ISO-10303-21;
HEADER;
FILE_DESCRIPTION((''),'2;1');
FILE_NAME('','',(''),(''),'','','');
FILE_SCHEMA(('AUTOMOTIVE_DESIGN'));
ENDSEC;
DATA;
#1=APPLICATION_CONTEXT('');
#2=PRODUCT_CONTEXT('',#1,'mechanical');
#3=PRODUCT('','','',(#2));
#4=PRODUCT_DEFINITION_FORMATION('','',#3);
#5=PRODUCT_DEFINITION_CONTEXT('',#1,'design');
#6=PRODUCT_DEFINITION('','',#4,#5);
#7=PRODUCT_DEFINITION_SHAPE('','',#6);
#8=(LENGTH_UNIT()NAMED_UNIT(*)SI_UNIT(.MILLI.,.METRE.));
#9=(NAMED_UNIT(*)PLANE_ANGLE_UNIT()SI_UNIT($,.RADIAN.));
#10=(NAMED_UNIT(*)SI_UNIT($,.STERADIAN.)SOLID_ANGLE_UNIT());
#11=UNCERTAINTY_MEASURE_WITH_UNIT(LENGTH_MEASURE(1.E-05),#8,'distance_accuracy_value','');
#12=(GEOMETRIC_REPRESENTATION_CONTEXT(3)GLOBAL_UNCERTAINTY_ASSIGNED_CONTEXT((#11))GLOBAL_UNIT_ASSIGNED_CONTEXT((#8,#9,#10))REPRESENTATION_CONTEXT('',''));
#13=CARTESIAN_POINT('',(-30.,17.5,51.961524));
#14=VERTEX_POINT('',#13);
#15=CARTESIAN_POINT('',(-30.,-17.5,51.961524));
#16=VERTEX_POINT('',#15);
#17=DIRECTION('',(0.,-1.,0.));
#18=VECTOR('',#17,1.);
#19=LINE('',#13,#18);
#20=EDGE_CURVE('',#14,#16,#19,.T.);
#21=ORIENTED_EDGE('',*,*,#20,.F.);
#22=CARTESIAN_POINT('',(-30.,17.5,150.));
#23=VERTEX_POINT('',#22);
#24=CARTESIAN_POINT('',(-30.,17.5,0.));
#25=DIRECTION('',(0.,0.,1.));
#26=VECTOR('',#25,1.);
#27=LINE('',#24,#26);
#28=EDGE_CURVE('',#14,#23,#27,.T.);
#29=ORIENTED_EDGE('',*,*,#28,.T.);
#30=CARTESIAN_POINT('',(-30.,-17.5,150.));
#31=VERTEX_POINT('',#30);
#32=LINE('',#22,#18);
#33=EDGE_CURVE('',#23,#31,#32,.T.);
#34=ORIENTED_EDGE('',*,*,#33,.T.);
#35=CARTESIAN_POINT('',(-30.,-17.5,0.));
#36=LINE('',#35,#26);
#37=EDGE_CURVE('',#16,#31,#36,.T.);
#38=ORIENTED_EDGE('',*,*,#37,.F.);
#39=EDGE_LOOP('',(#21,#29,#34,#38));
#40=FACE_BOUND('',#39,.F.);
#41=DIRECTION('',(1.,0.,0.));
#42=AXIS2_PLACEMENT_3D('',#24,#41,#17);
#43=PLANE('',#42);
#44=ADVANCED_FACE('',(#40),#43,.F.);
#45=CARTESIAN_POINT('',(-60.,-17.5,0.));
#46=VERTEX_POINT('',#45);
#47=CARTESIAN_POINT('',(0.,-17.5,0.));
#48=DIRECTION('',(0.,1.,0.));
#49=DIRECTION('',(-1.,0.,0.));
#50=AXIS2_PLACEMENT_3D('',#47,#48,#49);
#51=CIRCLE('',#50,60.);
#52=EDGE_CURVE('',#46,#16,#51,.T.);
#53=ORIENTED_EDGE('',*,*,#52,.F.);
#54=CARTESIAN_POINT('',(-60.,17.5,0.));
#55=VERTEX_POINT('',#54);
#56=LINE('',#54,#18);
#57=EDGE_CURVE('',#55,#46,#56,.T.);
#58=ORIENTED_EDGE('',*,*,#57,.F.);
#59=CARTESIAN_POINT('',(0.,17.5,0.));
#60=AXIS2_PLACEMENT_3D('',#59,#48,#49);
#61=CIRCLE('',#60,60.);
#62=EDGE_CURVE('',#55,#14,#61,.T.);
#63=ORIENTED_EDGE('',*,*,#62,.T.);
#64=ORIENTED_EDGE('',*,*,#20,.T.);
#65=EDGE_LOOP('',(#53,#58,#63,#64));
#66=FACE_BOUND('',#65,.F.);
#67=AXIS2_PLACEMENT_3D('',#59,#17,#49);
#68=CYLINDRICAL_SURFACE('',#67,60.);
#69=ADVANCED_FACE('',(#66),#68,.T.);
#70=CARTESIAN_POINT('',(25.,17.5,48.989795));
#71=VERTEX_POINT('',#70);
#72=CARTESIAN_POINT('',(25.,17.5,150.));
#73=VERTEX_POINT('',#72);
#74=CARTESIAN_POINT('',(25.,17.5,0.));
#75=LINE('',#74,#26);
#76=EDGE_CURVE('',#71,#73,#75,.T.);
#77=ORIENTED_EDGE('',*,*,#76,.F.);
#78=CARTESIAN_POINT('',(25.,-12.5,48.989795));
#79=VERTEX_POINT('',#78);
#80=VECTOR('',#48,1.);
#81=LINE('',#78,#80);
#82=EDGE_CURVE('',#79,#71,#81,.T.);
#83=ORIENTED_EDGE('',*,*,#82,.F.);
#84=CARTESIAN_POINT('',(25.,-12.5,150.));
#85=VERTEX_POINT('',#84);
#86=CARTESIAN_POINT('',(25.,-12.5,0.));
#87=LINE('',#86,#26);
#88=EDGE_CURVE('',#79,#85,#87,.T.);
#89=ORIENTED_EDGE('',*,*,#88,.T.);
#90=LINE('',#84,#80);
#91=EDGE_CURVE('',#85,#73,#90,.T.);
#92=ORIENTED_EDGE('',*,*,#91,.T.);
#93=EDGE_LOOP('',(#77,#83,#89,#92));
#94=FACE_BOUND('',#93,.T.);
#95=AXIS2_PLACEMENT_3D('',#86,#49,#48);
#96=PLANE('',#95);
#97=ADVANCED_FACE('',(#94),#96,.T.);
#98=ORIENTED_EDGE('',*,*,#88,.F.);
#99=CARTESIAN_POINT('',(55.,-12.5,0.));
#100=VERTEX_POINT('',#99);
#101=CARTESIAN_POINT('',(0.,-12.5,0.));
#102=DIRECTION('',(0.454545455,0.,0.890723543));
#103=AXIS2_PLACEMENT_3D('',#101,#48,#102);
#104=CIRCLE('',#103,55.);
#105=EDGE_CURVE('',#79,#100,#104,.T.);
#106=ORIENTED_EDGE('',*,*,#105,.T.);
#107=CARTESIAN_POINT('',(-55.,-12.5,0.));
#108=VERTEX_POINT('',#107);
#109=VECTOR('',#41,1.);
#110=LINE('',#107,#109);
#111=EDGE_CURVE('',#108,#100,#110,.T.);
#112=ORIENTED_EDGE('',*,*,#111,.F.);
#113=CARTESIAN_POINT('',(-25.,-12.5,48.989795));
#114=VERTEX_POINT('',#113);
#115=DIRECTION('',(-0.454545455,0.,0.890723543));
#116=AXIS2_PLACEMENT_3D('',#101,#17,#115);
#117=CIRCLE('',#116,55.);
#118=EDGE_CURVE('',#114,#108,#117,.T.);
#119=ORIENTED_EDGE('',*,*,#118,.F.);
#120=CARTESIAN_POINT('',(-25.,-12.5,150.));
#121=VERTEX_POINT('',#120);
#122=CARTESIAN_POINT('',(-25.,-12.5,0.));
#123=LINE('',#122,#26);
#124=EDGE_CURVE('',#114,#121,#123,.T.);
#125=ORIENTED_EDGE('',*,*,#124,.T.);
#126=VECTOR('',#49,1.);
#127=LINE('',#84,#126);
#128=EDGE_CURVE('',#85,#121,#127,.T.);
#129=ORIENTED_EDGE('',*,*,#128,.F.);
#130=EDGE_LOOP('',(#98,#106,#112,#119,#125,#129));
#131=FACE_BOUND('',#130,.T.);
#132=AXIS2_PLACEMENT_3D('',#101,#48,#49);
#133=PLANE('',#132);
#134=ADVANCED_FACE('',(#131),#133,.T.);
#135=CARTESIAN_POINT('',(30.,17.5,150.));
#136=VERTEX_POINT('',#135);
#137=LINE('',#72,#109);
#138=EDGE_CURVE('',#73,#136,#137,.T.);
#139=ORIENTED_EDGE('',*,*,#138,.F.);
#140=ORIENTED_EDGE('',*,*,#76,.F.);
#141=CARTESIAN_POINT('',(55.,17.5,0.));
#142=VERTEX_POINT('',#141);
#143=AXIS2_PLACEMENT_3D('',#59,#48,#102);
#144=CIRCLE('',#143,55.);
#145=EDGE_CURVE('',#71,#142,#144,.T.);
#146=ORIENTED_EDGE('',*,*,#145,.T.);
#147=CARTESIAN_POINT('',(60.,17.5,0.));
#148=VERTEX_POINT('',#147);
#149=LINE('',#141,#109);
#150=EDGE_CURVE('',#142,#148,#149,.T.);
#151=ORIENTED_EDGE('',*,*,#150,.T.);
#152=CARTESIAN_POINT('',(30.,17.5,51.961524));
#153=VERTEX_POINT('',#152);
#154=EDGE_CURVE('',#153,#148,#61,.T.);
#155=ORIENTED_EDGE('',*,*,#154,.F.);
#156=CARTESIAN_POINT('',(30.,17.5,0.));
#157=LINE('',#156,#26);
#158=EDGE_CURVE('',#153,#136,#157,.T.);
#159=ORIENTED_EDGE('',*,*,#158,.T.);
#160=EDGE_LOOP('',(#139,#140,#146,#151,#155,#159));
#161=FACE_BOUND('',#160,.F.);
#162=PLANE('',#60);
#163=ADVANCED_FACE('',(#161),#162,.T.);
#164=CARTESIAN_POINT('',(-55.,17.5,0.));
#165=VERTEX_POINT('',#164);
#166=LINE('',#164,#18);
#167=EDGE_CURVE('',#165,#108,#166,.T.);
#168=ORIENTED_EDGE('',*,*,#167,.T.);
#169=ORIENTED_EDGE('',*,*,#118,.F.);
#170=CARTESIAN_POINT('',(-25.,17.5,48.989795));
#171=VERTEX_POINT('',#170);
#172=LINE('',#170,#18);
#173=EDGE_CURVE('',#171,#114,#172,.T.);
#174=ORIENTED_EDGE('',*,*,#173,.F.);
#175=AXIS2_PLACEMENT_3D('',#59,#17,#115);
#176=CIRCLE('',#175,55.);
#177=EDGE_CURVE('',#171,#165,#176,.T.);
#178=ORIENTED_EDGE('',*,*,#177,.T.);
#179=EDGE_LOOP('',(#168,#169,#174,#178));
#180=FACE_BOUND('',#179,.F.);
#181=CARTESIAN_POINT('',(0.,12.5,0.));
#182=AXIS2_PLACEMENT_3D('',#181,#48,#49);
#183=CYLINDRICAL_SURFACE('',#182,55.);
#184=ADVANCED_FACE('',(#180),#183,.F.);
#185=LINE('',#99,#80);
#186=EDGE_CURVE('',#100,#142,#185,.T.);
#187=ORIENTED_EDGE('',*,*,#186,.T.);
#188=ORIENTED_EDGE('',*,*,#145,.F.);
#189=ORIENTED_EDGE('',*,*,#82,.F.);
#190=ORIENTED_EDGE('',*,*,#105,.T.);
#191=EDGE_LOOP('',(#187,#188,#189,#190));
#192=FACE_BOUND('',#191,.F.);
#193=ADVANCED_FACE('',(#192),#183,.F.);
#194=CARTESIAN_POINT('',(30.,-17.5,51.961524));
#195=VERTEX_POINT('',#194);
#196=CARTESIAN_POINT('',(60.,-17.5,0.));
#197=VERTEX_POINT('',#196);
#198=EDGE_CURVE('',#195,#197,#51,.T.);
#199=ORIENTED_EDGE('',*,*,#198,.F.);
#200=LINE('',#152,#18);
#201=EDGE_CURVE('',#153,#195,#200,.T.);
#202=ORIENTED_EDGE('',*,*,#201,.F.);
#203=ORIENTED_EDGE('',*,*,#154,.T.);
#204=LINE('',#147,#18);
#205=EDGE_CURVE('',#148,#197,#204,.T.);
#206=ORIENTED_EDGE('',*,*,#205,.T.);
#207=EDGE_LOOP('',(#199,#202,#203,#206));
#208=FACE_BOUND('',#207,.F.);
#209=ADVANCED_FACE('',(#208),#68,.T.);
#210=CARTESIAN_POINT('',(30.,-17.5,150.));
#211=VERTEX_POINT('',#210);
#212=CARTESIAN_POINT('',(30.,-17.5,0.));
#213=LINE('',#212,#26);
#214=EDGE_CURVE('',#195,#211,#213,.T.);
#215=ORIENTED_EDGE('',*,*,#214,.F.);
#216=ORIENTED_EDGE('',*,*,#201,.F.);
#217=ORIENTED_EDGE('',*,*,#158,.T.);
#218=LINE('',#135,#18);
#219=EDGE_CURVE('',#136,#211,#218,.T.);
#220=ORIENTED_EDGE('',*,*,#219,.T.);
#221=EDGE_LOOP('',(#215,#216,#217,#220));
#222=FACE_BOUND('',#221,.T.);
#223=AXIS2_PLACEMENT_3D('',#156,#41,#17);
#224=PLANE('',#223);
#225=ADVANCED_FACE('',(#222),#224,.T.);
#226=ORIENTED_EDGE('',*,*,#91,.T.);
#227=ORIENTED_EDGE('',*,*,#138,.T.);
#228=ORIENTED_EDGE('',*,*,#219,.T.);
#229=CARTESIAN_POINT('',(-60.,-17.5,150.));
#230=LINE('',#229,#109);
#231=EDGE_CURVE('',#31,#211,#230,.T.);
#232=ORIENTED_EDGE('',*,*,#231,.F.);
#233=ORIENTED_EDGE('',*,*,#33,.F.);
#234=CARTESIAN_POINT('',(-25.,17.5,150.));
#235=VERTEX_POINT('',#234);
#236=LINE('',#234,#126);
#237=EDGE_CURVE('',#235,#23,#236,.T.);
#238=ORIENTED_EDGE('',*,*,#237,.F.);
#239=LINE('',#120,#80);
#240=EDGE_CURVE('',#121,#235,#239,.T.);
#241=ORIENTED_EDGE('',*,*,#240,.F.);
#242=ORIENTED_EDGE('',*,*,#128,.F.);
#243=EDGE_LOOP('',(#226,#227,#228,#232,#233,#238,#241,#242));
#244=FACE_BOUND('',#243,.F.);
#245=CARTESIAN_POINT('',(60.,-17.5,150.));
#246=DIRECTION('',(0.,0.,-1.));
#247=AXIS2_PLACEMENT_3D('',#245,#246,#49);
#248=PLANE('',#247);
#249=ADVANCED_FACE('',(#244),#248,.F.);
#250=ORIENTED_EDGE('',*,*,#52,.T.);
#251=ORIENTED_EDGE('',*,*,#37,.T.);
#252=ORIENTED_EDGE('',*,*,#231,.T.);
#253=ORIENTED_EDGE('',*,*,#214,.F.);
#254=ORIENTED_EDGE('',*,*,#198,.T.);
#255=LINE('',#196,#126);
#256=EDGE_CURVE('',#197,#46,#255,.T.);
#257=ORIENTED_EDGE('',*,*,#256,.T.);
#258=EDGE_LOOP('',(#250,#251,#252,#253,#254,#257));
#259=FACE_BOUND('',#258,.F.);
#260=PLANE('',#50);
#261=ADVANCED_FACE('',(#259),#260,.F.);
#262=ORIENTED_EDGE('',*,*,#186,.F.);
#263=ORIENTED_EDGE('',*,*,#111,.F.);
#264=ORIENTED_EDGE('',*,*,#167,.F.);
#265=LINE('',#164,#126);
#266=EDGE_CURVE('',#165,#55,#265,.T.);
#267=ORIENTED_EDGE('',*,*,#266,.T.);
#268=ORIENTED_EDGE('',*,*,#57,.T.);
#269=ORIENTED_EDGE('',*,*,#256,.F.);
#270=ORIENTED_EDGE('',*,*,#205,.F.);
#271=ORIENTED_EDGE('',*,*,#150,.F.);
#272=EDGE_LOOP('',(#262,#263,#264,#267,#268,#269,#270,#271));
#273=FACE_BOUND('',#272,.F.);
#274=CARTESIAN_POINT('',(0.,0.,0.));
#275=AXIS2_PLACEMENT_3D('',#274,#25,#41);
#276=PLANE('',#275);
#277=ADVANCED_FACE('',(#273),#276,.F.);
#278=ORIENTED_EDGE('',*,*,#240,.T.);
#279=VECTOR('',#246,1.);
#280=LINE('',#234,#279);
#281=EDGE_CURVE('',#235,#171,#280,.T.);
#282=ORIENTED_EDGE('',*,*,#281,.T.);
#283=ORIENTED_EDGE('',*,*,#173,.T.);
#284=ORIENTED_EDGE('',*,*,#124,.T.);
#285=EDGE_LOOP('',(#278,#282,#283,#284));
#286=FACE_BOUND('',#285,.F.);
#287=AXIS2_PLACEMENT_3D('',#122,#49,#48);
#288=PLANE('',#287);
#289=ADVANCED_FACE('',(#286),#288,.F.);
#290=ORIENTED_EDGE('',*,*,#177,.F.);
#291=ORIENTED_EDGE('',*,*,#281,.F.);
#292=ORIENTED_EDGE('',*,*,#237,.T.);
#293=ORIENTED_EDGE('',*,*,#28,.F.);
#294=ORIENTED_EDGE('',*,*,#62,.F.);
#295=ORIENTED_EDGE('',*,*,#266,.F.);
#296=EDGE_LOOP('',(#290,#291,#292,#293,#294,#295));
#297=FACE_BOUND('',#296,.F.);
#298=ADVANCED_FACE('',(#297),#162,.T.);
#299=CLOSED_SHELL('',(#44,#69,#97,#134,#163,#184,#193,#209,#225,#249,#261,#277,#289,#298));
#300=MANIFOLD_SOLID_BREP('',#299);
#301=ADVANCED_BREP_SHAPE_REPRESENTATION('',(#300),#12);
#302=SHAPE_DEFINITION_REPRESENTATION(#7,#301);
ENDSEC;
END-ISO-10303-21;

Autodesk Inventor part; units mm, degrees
ref_plane "YZ Plane" through (0, 0, 0) normal (1, 0, 0) x (0, 1, 0)
ref_plane "XZ Plane" through (0, 0, 0) normal (0, 1, 0) x (-1, 0, 0)
ref_plane "XY Plane" through (0, 0, 0) normal (0, 0, 1) x (1, 0, 0)
sketch "Sketch1" plane through (0, 0, 0) normal (0, 0, 1) x (1, 0, 0)
  line L0 (-60, -17.5) -> (0, -17.5)
  line L1 (60, -17.5) -> (60, 17.5) construction
  line L2 (60, 17.5) -> (55, 17.5) construction
  line L3 (-60, 17.5) -> (-60, -17.5)
  line L4 (-60, -17.5) -> (60, 17.5) construction
  line L5 (60, -17.5) -> (-60, 17.5) construction
  line L6 (-55, -12.5) -> (0, -12.5)
  line L7 (55, -12.5) -> (55, 12.5) construction
  line L8 (55, 12.5) -> (-55, 12.5) construction
  line L9 (-55, 12.5) -> (-55, -12.5)
  line L10 (-55, 12.5) -> (-55, 17.5)
  line L11 (55, 12.5) -> (55, 17.5) construction
  line L12 (-55, 17.5) -> (-60, 17.5)
  line L13 (55, 17.5) -> (-55, 17.5) construction
  line L14 (0, -17.5) -> (0, 17.5)
  line L15 (0, -12.5) -> (55, -12.5) construction
  line L16 (0, -17.5) -> (60, -17.5) construction
  line L17 (0, -12.5) -> (0, -17.5)
  line L18 (0, 17.5) -> (-55, 17.5)
  point P0 (0, 0)
  dimension "d0" = 120
  dimension "d1" = 35
  dimension "d2" = 5
  dimension "d3" = 5
  dimension "d4" = 5
  dimension "d5" = 30
revolve "Revolution1" add sketch "Sketch1" angle 180 about axis through (0, -17.5, 0) along (0, 1, 0) contours L3 L12 L10 L9 L6 L14 L0
sketch "Sketch2" plane through (60, -17.5, 0) normal (0, 0, -1) x (-1, 0, 0)
  line L0 (0, 35) -> (0, 0) projected
  line L1 (0, 0) -> (60, 0) construction
  line L2 (120, 0) -> (0, 0) projected
  line L3 (60, 0) -> (60, 35) construction
  line L4 (60, 0) -> (60, 5) construction
  line L5 (60, 5) -> (35, 5)
  line L6 (35, 5) -> (35, 35)
  line L7 (35, 35) -> (30, 35)
  line L8 (30, 35) -> (30, 0)
  line L9 (60, 5) -> (85, 5)
  line L10 (85, 5) -> (85, 35)
  line L11 (85, 35) -> (90, 35)
  line L12 (90, 35) -> (90, 0)
  point P0 (60, 17.5)
  dimension "d7" = 60
  dimension "d8" = 35
  dimension "d9" = 5
  dimension "d10" = 25
  dimension "d11" = 30
  dimension "d12" = 5
extrude "Extrusion1" add sketch "Sketch2" against normal blind 150
sketch "Sketch3" plane through (60, -17.5, 0) normal (0, 0, -1) x (-1, 0, 0)
  line L0 (35, 35) -> (35, 5) projected
  line L1 (85, 5) -> (35, 5) projected
  line L2 (85, 5) -> (85, 35) projected
  line L3 (85, 35) -> (35, 35) projected
  point P0 (60, 17.5)
extrude "Extrusion2" cut sketch "Sketch3" against normal through all
revolve "Revolution2" cut sketch "Sketch1" angle 360 about axis through (0, -17.5, 0) along (0, 1, 0) contours L6 L9 L10 L18 L14
properties part number "select end track"
